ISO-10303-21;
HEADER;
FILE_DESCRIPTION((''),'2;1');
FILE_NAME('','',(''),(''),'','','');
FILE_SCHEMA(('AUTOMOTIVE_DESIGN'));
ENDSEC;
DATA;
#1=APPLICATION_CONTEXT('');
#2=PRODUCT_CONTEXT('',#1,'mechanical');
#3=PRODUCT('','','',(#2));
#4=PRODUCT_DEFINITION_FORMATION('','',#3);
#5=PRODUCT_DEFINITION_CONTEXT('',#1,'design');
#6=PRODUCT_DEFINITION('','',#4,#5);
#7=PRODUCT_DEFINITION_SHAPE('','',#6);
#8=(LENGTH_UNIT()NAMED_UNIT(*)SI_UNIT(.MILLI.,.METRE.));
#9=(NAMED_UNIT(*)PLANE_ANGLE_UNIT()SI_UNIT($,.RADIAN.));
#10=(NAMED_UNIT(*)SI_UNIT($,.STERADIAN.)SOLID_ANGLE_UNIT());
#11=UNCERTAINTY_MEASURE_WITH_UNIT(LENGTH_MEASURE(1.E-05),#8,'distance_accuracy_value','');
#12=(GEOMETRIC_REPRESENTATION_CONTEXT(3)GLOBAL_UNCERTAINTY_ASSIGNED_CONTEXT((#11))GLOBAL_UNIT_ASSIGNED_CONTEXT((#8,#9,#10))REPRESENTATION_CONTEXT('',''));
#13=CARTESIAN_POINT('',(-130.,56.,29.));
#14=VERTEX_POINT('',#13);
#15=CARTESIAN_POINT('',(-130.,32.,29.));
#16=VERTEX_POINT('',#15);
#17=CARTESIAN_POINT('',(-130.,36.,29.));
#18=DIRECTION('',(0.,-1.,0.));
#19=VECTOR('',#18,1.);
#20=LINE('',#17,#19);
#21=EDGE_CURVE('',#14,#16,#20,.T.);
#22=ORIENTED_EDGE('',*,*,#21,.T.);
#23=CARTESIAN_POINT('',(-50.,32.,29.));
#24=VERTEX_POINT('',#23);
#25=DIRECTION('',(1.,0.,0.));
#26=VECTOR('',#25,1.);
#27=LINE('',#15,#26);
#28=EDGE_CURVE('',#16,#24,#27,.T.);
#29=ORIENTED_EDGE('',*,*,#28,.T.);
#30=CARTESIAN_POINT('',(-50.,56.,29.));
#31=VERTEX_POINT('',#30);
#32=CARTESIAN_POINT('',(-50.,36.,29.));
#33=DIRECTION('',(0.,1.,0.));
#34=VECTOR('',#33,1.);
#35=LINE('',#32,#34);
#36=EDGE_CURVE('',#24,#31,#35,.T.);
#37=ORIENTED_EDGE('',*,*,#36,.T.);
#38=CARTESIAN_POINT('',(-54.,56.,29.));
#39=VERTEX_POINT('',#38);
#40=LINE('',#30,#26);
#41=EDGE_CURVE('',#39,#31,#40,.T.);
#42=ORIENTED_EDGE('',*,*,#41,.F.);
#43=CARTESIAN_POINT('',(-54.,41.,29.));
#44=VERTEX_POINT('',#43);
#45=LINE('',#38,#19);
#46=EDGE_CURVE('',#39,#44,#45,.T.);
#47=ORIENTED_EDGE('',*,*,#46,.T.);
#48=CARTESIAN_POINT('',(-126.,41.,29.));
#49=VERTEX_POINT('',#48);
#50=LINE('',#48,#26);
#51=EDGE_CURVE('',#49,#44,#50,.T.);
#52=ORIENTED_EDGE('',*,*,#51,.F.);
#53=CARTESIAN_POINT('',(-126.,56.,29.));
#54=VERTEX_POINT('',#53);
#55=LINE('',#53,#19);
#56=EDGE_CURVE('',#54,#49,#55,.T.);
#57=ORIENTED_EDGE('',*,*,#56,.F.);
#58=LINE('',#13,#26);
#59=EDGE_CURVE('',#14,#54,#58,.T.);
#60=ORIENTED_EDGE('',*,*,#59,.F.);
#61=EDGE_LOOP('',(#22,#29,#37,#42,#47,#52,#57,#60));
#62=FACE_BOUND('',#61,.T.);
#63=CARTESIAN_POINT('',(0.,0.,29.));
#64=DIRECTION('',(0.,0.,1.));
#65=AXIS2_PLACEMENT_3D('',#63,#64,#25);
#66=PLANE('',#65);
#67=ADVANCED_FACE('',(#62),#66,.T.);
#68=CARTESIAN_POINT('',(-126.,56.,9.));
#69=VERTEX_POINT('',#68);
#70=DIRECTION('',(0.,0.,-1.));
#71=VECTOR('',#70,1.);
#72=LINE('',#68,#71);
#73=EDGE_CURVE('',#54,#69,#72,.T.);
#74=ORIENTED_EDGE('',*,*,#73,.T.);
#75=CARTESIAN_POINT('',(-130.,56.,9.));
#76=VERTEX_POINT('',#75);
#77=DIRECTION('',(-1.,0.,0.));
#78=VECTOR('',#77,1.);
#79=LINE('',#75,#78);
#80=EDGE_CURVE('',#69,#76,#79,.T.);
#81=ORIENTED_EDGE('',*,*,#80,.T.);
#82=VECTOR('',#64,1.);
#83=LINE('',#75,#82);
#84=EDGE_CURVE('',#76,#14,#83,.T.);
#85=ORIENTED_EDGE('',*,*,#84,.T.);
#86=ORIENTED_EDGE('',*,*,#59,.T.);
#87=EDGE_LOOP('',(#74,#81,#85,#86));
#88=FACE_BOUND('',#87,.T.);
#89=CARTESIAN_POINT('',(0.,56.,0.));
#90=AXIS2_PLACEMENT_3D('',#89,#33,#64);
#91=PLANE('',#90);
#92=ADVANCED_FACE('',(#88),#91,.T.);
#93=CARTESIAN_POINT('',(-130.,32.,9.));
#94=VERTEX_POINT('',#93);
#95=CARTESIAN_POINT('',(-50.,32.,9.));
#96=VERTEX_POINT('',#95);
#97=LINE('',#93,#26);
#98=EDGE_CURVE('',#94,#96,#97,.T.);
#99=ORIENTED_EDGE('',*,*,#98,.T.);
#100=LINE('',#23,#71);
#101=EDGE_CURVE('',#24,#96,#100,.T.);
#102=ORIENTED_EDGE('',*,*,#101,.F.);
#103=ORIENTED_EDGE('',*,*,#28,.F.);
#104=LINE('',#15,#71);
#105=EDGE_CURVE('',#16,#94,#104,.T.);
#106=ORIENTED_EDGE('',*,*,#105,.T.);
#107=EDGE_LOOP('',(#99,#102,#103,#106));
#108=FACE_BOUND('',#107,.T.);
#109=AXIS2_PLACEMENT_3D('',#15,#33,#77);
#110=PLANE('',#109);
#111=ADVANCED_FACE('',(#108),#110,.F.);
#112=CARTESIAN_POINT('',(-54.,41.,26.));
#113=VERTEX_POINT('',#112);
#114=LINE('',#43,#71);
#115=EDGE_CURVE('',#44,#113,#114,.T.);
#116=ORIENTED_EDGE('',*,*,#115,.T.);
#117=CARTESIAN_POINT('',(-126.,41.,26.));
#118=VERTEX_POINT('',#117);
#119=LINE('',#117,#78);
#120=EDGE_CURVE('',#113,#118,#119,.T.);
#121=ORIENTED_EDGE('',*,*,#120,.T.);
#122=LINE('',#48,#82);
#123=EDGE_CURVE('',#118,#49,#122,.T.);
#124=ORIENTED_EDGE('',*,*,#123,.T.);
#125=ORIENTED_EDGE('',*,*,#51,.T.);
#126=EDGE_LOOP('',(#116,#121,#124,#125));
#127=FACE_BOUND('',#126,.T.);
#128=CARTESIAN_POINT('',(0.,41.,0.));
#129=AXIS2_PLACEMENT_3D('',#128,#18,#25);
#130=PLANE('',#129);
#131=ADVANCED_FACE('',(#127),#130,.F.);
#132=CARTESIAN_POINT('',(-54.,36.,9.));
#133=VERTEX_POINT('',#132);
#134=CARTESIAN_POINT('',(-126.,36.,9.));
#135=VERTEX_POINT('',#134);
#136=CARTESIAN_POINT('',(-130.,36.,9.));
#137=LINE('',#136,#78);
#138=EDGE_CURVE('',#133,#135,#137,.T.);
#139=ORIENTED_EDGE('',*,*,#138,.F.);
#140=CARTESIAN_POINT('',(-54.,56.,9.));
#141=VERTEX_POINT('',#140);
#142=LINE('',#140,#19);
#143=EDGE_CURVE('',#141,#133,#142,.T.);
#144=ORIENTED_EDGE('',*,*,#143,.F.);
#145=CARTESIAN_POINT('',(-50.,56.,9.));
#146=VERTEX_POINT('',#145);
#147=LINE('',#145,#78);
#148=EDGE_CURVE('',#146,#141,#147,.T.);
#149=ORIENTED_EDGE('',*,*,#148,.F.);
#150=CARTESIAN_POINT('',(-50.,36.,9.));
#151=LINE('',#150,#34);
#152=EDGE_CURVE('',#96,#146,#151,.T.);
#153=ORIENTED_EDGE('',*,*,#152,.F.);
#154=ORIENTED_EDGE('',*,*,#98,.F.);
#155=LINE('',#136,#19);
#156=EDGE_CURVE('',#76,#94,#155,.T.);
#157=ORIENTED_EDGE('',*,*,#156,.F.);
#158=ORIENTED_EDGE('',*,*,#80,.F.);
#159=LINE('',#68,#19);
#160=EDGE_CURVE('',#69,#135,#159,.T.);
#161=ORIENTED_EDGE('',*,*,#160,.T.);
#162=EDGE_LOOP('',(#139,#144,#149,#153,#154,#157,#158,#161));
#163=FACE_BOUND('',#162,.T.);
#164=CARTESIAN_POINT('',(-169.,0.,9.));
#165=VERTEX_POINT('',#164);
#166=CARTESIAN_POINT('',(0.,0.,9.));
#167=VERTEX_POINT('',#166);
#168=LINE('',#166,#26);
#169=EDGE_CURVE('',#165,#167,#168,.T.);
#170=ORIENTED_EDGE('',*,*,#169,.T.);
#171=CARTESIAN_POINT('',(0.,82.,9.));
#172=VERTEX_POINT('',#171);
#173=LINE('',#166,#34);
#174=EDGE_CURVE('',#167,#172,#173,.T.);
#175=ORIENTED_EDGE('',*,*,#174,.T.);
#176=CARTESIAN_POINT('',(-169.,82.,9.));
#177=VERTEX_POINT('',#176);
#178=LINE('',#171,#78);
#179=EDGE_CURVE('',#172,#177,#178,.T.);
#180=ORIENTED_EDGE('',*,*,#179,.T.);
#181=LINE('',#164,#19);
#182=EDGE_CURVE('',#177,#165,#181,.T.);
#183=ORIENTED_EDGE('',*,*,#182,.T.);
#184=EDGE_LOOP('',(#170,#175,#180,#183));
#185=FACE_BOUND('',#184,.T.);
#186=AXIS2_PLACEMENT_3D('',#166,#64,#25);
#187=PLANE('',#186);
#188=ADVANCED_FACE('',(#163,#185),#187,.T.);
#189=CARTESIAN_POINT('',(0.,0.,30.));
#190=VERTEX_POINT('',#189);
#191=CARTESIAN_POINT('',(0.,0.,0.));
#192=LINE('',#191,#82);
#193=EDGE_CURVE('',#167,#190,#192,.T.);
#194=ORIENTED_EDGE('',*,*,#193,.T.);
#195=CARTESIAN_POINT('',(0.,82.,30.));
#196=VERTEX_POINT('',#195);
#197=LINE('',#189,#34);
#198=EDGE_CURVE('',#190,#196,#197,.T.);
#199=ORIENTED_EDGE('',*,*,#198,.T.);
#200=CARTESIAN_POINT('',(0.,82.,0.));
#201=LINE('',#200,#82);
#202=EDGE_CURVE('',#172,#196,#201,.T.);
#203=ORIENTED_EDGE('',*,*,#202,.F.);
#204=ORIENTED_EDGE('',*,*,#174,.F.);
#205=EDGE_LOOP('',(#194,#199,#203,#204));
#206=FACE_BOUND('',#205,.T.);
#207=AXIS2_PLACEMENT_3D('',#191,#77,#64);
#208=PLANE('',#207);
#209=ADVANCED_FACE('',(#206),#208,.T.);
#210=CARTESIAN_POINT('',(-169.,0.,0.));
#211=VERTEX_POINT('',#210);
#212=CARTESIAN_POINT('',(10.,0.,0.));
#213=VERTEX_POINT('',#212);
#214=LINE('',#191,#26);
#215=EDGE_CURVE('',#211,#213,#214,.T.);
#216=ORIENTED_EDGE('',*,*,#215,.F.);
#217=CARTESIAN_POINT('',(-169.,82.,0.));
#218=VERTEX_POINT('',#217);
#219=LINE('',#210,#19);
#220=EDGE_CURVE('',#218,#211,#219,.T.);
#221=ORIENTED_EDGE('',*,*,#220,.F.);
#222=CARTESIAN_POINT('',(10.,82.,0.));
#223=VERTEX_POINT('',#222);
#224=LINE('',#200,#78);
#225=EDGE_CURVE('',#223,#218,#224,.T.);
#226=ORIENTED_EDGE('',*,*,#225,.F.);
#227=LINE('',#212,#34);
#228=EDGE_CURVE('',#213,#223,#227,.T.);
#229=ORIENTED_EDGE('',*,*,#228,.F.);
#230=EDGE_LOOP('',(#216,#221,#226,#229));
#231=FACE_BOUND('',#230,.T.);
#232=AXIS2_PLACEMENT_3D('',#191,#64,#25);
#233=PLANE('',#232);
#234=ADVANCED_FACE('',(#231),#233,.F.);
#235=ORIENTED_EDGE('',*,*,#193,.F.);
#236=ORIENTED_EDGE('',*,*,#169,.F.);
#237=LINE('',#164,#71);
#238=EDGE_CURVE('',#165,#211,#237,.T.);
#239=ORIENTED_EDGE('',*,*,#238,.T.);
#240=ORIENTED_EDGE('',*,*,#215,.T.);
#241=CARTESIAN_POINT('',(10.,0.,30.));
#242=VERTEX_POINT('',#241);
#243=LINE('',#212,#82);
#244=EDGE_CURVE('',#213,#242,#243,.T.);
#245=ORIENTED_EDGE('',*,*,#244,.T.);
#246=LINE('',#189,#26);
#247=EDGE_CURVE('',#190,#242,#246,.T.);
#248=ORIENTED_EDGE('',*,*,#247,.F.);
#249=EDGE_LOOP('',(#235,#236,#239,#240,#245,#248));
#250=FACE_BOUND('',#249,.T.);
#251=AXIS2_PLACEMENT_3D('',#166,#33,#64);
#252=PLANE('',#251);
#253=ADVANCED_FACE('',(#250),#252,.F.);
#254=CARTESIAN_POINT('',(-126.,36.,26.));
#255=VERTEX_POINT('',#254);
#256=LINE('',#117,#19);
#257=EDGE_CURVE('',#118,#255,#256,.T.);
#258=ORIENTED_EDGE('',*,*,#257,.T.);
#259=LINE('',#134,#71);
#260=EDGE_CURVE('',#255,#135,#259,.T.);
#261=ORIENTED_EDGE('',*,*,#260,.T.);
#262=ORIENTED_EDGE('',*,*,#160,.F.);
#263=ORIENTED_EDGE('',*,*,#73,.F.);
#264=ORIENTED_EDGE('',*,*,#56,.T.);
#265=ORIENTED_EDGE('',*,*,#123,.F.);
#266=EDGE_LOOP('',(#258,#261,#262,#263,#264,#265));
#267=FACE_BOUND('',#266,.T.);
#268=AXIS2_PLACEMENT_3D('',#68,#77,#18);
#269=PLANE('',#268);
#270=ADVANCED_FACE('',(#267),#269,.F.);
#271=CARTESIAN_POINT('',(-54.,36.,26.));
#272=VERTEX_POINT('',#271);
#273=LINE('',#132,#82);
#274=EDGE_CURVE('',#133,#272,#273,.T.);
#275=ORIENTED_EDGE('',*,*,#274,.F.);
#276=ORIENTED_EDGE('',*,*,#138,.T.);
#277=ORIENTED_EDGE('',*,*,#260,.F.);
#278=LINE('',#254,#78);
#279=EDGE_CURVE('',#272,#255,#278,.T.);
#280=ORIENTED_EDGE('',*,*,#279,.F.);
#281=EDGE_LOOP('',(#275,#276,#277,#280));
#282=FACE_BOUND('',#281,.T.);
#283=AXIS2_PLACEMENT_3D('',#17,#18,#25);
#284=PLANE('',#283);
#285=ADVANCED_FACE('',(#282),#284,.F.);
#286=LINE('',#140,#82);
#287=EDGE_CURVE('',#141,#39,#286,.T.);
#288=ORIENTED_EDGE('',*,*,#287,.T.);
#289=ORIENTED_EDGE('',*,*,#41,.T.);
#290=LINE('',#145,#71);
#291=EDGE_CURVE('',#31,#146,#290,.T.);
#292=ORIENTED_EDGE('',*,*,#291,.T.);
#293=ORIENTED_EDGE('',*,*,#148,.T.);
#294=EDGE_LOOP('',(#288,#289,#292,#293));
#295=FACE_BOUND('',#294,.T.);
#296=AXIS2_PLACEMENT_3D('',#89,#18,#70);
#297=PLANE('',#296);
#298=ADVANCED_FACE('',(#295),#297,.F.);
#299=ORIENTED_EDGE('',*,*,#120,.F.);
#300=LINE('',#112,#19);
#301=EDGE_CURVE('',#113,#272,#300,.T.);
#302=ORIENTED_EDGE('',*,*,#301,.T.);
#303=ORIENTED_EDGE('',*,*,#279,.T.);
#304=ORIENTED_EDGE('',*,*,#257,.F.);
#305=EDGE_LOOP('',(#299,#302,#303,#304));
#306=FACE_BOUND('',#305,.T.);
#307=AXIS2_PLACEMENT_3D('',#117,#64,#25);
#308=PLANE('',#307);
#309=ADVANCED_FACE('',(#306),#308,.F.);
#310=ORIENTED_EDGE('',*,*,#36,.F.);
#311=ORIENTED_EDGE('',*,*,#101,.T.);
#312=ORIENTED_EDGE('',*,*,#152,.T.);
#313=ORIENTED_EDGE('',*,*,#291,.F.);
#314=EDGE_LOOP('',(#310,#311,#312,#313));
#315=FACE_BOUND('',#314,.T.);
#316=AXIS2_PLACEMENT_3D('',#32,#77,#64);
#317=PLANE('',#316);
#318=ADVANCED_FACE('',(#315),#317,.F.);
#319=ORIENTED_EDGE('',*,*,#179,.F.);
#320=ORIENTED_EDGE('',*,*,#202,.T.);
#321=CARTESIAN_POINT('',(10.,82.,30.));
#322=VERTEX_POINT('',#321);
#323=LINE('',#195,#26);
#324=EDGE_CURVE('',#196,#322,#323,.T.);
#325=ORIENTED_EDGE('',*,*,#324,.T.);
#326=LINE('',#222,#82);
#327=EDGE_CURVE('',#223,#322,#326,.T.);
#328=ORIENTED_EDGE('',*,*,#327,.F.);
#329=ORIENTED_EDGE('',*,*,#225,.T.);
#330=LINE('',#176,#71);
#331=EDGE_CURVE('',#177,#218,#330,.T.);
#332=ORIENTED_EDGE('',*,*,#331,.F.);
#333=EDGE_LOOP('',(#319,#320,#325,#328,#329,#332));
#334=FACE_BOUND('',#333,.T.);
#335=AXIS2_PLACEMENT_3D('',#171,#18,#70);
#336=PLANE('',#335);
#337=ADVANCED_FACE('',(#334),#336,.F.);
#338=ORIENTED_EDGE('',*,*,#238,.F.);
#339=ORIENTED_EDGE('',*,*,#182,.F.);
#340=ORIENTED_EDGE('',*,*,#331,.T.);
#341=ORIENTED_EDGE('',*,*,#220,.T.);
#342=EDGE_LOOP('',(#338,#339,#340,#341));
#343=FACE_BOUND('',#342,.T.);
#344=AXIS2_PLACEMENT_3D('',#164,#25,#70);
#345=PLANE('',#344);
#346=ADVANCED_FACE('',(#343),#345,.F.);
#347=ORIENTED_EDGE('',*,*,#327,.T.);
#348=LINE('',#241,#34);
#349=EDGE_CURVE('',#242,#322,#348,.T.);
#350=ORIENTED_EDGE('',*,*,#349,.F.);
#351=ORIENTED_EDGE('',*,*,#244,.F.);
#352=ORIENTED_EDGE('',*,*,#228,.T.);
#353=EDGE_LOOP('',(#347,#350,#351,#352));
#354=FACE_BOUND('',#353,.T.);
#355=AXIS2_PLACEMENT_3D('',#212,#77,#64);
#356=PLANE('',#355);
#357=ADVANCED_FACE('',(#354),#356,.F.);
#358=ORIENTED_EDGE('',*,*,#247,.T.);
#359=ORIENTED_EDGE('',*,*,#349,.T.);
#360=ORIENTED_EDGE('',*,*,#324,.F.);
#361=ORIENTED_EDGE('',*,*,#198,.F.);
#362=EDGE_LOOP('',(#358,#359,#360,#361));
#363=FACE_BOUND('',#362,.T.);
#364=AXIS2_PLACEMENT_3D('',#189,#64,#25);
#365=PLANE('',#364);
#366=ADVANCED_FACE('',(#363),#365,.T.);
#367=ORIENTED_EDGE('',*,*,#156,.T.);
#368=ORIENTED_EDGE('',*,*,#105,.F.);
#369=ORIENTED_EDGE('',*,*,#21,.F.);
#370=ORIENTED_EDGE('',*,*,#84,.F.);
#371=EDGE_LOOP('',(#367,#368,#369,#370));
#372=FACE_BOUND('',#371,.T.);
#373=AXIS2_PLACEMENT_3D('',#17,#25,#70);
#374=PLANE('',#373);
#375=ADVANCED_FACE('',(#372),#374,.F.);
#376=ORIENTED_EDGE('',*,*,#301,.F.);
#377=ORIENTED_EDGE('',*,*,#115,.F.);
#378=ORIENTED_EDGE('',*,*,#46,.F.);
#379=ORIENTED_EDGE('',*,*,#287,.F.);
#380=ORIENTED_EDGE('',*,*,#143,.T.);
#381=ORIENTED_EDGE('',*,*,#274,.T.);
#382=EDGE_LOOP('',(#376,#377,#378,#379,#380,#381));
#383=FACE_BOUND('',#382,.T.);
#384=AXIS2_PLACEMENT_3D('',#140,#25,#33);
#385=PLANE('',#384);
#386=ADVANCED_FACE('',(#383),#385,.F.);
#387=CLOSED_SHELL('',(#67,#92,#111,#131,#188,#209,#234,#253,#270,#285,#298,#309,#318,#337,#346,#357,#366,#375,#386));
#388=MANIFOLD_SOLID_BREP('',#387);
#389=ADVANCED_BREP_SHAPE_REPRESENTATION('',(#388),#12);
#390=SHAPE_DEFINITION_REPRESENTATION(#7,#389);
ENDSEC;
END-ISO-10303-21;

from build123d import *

# Parameters (mm, degrees)
ESQUISSE1_W        = 169
ESQUISSE1_H        = 82
BOSS_EXTRU_1_DEPTH = 9
ESQUISSE2_W        = 10
ESQUISSE2_H        = 30
BOSS_EXTRU_2_DEPTH = 82
ESQUISSE3_W        = 80
ESQUISSE3_H        = 4
BOSS_EXTRU_4_DEPTH = 20
ESQUISSE4_W        = 4
ESQUISSE4_H        = 20
BOSS_EXTRU_5_DEPTH = 20
ESQUISSE5_W        = 4
ESQUISSE5_H        = 20
BOSS_EXTRU_6_DEPTH = 20
ESQUISSE6_W        = 72
ESQUISSE6_H        = 3
BOSS_EXTRU_7_DEPTH = 5


with BuildPart() as part:
    # Esquisse1 → Boss.-Extru.1 (new body)
    with BuildSketch(Plane.XY):
        with Locations((-84.5, 41)):
            Rectangle(ESQUISSE1_W, ESQUISSE1_H)
    extrude(amount=BOSS_EXTRU_1_DEPTH)

    # Esquisse2 → Boss.-Extru.2 (add)
    with BuildSketch(Plane(origin=(0, 82, 0), x_dir=(1, 0, 0), z_dir=(0, 1, 0))):
        with Locations((5, -15)):
            Rectangle(ESQUISSE2_W, ESQUISSE2_H)
    extrude(amount=-BOSS_EXTRU_2_DEPTH)

    # Esquisse3 → Boss.-Extru.4 (add)
    with BuildSketch(Plane.XY.offset(9)):
        with Locations((-90, 34)):
            Rectangle(ESQUISSE3_W, ESQUISSE3_H)
    extrude(amount=BOSS_EXTRU_4_DEPTH)

    # Esquisse4 → Boss.-Extru.5 (add)
    with BuildSketch(Plane(origin=(0, 36, 0), x_dir=(1, 0, 0), z_dir=(0, 1, 0))):
        with Locations((-52, -19)):
            Rectangle(ESQUISSE4_W, ESQUISSE4_H)
    extrude(amount=BOSS_EXTRU_5_DEPTH)

    # Esquisse5 → Boss.-Extru.6 (add)
    with BuildSketch(Plane(origin=(0, 36, 0), x_dir=(1, 0, 0), z_dir=(0, 1, 0))):
        with Locations((-128, -19)):
            Rectangle(ESQUISSE5_W, ESQUISSE5_H)
    extrude(amount=BOSS_EXTRU_6_DEPTH)

    # Esquisse6 → Boss.-Extru.7 (add)
    with BuildSketch(Plane(origin=(0, 36, 0), x_dir=(1, 0, 0), z_dir=(0, 1, 0))):
        with Locations((-90, -27.5)):
            Rectangle(ESQUISSE6_W, ESQUISSE6_H)
    extrude(amount=BOSS_EXTRU_7_DEPTH)


solid = part.part
